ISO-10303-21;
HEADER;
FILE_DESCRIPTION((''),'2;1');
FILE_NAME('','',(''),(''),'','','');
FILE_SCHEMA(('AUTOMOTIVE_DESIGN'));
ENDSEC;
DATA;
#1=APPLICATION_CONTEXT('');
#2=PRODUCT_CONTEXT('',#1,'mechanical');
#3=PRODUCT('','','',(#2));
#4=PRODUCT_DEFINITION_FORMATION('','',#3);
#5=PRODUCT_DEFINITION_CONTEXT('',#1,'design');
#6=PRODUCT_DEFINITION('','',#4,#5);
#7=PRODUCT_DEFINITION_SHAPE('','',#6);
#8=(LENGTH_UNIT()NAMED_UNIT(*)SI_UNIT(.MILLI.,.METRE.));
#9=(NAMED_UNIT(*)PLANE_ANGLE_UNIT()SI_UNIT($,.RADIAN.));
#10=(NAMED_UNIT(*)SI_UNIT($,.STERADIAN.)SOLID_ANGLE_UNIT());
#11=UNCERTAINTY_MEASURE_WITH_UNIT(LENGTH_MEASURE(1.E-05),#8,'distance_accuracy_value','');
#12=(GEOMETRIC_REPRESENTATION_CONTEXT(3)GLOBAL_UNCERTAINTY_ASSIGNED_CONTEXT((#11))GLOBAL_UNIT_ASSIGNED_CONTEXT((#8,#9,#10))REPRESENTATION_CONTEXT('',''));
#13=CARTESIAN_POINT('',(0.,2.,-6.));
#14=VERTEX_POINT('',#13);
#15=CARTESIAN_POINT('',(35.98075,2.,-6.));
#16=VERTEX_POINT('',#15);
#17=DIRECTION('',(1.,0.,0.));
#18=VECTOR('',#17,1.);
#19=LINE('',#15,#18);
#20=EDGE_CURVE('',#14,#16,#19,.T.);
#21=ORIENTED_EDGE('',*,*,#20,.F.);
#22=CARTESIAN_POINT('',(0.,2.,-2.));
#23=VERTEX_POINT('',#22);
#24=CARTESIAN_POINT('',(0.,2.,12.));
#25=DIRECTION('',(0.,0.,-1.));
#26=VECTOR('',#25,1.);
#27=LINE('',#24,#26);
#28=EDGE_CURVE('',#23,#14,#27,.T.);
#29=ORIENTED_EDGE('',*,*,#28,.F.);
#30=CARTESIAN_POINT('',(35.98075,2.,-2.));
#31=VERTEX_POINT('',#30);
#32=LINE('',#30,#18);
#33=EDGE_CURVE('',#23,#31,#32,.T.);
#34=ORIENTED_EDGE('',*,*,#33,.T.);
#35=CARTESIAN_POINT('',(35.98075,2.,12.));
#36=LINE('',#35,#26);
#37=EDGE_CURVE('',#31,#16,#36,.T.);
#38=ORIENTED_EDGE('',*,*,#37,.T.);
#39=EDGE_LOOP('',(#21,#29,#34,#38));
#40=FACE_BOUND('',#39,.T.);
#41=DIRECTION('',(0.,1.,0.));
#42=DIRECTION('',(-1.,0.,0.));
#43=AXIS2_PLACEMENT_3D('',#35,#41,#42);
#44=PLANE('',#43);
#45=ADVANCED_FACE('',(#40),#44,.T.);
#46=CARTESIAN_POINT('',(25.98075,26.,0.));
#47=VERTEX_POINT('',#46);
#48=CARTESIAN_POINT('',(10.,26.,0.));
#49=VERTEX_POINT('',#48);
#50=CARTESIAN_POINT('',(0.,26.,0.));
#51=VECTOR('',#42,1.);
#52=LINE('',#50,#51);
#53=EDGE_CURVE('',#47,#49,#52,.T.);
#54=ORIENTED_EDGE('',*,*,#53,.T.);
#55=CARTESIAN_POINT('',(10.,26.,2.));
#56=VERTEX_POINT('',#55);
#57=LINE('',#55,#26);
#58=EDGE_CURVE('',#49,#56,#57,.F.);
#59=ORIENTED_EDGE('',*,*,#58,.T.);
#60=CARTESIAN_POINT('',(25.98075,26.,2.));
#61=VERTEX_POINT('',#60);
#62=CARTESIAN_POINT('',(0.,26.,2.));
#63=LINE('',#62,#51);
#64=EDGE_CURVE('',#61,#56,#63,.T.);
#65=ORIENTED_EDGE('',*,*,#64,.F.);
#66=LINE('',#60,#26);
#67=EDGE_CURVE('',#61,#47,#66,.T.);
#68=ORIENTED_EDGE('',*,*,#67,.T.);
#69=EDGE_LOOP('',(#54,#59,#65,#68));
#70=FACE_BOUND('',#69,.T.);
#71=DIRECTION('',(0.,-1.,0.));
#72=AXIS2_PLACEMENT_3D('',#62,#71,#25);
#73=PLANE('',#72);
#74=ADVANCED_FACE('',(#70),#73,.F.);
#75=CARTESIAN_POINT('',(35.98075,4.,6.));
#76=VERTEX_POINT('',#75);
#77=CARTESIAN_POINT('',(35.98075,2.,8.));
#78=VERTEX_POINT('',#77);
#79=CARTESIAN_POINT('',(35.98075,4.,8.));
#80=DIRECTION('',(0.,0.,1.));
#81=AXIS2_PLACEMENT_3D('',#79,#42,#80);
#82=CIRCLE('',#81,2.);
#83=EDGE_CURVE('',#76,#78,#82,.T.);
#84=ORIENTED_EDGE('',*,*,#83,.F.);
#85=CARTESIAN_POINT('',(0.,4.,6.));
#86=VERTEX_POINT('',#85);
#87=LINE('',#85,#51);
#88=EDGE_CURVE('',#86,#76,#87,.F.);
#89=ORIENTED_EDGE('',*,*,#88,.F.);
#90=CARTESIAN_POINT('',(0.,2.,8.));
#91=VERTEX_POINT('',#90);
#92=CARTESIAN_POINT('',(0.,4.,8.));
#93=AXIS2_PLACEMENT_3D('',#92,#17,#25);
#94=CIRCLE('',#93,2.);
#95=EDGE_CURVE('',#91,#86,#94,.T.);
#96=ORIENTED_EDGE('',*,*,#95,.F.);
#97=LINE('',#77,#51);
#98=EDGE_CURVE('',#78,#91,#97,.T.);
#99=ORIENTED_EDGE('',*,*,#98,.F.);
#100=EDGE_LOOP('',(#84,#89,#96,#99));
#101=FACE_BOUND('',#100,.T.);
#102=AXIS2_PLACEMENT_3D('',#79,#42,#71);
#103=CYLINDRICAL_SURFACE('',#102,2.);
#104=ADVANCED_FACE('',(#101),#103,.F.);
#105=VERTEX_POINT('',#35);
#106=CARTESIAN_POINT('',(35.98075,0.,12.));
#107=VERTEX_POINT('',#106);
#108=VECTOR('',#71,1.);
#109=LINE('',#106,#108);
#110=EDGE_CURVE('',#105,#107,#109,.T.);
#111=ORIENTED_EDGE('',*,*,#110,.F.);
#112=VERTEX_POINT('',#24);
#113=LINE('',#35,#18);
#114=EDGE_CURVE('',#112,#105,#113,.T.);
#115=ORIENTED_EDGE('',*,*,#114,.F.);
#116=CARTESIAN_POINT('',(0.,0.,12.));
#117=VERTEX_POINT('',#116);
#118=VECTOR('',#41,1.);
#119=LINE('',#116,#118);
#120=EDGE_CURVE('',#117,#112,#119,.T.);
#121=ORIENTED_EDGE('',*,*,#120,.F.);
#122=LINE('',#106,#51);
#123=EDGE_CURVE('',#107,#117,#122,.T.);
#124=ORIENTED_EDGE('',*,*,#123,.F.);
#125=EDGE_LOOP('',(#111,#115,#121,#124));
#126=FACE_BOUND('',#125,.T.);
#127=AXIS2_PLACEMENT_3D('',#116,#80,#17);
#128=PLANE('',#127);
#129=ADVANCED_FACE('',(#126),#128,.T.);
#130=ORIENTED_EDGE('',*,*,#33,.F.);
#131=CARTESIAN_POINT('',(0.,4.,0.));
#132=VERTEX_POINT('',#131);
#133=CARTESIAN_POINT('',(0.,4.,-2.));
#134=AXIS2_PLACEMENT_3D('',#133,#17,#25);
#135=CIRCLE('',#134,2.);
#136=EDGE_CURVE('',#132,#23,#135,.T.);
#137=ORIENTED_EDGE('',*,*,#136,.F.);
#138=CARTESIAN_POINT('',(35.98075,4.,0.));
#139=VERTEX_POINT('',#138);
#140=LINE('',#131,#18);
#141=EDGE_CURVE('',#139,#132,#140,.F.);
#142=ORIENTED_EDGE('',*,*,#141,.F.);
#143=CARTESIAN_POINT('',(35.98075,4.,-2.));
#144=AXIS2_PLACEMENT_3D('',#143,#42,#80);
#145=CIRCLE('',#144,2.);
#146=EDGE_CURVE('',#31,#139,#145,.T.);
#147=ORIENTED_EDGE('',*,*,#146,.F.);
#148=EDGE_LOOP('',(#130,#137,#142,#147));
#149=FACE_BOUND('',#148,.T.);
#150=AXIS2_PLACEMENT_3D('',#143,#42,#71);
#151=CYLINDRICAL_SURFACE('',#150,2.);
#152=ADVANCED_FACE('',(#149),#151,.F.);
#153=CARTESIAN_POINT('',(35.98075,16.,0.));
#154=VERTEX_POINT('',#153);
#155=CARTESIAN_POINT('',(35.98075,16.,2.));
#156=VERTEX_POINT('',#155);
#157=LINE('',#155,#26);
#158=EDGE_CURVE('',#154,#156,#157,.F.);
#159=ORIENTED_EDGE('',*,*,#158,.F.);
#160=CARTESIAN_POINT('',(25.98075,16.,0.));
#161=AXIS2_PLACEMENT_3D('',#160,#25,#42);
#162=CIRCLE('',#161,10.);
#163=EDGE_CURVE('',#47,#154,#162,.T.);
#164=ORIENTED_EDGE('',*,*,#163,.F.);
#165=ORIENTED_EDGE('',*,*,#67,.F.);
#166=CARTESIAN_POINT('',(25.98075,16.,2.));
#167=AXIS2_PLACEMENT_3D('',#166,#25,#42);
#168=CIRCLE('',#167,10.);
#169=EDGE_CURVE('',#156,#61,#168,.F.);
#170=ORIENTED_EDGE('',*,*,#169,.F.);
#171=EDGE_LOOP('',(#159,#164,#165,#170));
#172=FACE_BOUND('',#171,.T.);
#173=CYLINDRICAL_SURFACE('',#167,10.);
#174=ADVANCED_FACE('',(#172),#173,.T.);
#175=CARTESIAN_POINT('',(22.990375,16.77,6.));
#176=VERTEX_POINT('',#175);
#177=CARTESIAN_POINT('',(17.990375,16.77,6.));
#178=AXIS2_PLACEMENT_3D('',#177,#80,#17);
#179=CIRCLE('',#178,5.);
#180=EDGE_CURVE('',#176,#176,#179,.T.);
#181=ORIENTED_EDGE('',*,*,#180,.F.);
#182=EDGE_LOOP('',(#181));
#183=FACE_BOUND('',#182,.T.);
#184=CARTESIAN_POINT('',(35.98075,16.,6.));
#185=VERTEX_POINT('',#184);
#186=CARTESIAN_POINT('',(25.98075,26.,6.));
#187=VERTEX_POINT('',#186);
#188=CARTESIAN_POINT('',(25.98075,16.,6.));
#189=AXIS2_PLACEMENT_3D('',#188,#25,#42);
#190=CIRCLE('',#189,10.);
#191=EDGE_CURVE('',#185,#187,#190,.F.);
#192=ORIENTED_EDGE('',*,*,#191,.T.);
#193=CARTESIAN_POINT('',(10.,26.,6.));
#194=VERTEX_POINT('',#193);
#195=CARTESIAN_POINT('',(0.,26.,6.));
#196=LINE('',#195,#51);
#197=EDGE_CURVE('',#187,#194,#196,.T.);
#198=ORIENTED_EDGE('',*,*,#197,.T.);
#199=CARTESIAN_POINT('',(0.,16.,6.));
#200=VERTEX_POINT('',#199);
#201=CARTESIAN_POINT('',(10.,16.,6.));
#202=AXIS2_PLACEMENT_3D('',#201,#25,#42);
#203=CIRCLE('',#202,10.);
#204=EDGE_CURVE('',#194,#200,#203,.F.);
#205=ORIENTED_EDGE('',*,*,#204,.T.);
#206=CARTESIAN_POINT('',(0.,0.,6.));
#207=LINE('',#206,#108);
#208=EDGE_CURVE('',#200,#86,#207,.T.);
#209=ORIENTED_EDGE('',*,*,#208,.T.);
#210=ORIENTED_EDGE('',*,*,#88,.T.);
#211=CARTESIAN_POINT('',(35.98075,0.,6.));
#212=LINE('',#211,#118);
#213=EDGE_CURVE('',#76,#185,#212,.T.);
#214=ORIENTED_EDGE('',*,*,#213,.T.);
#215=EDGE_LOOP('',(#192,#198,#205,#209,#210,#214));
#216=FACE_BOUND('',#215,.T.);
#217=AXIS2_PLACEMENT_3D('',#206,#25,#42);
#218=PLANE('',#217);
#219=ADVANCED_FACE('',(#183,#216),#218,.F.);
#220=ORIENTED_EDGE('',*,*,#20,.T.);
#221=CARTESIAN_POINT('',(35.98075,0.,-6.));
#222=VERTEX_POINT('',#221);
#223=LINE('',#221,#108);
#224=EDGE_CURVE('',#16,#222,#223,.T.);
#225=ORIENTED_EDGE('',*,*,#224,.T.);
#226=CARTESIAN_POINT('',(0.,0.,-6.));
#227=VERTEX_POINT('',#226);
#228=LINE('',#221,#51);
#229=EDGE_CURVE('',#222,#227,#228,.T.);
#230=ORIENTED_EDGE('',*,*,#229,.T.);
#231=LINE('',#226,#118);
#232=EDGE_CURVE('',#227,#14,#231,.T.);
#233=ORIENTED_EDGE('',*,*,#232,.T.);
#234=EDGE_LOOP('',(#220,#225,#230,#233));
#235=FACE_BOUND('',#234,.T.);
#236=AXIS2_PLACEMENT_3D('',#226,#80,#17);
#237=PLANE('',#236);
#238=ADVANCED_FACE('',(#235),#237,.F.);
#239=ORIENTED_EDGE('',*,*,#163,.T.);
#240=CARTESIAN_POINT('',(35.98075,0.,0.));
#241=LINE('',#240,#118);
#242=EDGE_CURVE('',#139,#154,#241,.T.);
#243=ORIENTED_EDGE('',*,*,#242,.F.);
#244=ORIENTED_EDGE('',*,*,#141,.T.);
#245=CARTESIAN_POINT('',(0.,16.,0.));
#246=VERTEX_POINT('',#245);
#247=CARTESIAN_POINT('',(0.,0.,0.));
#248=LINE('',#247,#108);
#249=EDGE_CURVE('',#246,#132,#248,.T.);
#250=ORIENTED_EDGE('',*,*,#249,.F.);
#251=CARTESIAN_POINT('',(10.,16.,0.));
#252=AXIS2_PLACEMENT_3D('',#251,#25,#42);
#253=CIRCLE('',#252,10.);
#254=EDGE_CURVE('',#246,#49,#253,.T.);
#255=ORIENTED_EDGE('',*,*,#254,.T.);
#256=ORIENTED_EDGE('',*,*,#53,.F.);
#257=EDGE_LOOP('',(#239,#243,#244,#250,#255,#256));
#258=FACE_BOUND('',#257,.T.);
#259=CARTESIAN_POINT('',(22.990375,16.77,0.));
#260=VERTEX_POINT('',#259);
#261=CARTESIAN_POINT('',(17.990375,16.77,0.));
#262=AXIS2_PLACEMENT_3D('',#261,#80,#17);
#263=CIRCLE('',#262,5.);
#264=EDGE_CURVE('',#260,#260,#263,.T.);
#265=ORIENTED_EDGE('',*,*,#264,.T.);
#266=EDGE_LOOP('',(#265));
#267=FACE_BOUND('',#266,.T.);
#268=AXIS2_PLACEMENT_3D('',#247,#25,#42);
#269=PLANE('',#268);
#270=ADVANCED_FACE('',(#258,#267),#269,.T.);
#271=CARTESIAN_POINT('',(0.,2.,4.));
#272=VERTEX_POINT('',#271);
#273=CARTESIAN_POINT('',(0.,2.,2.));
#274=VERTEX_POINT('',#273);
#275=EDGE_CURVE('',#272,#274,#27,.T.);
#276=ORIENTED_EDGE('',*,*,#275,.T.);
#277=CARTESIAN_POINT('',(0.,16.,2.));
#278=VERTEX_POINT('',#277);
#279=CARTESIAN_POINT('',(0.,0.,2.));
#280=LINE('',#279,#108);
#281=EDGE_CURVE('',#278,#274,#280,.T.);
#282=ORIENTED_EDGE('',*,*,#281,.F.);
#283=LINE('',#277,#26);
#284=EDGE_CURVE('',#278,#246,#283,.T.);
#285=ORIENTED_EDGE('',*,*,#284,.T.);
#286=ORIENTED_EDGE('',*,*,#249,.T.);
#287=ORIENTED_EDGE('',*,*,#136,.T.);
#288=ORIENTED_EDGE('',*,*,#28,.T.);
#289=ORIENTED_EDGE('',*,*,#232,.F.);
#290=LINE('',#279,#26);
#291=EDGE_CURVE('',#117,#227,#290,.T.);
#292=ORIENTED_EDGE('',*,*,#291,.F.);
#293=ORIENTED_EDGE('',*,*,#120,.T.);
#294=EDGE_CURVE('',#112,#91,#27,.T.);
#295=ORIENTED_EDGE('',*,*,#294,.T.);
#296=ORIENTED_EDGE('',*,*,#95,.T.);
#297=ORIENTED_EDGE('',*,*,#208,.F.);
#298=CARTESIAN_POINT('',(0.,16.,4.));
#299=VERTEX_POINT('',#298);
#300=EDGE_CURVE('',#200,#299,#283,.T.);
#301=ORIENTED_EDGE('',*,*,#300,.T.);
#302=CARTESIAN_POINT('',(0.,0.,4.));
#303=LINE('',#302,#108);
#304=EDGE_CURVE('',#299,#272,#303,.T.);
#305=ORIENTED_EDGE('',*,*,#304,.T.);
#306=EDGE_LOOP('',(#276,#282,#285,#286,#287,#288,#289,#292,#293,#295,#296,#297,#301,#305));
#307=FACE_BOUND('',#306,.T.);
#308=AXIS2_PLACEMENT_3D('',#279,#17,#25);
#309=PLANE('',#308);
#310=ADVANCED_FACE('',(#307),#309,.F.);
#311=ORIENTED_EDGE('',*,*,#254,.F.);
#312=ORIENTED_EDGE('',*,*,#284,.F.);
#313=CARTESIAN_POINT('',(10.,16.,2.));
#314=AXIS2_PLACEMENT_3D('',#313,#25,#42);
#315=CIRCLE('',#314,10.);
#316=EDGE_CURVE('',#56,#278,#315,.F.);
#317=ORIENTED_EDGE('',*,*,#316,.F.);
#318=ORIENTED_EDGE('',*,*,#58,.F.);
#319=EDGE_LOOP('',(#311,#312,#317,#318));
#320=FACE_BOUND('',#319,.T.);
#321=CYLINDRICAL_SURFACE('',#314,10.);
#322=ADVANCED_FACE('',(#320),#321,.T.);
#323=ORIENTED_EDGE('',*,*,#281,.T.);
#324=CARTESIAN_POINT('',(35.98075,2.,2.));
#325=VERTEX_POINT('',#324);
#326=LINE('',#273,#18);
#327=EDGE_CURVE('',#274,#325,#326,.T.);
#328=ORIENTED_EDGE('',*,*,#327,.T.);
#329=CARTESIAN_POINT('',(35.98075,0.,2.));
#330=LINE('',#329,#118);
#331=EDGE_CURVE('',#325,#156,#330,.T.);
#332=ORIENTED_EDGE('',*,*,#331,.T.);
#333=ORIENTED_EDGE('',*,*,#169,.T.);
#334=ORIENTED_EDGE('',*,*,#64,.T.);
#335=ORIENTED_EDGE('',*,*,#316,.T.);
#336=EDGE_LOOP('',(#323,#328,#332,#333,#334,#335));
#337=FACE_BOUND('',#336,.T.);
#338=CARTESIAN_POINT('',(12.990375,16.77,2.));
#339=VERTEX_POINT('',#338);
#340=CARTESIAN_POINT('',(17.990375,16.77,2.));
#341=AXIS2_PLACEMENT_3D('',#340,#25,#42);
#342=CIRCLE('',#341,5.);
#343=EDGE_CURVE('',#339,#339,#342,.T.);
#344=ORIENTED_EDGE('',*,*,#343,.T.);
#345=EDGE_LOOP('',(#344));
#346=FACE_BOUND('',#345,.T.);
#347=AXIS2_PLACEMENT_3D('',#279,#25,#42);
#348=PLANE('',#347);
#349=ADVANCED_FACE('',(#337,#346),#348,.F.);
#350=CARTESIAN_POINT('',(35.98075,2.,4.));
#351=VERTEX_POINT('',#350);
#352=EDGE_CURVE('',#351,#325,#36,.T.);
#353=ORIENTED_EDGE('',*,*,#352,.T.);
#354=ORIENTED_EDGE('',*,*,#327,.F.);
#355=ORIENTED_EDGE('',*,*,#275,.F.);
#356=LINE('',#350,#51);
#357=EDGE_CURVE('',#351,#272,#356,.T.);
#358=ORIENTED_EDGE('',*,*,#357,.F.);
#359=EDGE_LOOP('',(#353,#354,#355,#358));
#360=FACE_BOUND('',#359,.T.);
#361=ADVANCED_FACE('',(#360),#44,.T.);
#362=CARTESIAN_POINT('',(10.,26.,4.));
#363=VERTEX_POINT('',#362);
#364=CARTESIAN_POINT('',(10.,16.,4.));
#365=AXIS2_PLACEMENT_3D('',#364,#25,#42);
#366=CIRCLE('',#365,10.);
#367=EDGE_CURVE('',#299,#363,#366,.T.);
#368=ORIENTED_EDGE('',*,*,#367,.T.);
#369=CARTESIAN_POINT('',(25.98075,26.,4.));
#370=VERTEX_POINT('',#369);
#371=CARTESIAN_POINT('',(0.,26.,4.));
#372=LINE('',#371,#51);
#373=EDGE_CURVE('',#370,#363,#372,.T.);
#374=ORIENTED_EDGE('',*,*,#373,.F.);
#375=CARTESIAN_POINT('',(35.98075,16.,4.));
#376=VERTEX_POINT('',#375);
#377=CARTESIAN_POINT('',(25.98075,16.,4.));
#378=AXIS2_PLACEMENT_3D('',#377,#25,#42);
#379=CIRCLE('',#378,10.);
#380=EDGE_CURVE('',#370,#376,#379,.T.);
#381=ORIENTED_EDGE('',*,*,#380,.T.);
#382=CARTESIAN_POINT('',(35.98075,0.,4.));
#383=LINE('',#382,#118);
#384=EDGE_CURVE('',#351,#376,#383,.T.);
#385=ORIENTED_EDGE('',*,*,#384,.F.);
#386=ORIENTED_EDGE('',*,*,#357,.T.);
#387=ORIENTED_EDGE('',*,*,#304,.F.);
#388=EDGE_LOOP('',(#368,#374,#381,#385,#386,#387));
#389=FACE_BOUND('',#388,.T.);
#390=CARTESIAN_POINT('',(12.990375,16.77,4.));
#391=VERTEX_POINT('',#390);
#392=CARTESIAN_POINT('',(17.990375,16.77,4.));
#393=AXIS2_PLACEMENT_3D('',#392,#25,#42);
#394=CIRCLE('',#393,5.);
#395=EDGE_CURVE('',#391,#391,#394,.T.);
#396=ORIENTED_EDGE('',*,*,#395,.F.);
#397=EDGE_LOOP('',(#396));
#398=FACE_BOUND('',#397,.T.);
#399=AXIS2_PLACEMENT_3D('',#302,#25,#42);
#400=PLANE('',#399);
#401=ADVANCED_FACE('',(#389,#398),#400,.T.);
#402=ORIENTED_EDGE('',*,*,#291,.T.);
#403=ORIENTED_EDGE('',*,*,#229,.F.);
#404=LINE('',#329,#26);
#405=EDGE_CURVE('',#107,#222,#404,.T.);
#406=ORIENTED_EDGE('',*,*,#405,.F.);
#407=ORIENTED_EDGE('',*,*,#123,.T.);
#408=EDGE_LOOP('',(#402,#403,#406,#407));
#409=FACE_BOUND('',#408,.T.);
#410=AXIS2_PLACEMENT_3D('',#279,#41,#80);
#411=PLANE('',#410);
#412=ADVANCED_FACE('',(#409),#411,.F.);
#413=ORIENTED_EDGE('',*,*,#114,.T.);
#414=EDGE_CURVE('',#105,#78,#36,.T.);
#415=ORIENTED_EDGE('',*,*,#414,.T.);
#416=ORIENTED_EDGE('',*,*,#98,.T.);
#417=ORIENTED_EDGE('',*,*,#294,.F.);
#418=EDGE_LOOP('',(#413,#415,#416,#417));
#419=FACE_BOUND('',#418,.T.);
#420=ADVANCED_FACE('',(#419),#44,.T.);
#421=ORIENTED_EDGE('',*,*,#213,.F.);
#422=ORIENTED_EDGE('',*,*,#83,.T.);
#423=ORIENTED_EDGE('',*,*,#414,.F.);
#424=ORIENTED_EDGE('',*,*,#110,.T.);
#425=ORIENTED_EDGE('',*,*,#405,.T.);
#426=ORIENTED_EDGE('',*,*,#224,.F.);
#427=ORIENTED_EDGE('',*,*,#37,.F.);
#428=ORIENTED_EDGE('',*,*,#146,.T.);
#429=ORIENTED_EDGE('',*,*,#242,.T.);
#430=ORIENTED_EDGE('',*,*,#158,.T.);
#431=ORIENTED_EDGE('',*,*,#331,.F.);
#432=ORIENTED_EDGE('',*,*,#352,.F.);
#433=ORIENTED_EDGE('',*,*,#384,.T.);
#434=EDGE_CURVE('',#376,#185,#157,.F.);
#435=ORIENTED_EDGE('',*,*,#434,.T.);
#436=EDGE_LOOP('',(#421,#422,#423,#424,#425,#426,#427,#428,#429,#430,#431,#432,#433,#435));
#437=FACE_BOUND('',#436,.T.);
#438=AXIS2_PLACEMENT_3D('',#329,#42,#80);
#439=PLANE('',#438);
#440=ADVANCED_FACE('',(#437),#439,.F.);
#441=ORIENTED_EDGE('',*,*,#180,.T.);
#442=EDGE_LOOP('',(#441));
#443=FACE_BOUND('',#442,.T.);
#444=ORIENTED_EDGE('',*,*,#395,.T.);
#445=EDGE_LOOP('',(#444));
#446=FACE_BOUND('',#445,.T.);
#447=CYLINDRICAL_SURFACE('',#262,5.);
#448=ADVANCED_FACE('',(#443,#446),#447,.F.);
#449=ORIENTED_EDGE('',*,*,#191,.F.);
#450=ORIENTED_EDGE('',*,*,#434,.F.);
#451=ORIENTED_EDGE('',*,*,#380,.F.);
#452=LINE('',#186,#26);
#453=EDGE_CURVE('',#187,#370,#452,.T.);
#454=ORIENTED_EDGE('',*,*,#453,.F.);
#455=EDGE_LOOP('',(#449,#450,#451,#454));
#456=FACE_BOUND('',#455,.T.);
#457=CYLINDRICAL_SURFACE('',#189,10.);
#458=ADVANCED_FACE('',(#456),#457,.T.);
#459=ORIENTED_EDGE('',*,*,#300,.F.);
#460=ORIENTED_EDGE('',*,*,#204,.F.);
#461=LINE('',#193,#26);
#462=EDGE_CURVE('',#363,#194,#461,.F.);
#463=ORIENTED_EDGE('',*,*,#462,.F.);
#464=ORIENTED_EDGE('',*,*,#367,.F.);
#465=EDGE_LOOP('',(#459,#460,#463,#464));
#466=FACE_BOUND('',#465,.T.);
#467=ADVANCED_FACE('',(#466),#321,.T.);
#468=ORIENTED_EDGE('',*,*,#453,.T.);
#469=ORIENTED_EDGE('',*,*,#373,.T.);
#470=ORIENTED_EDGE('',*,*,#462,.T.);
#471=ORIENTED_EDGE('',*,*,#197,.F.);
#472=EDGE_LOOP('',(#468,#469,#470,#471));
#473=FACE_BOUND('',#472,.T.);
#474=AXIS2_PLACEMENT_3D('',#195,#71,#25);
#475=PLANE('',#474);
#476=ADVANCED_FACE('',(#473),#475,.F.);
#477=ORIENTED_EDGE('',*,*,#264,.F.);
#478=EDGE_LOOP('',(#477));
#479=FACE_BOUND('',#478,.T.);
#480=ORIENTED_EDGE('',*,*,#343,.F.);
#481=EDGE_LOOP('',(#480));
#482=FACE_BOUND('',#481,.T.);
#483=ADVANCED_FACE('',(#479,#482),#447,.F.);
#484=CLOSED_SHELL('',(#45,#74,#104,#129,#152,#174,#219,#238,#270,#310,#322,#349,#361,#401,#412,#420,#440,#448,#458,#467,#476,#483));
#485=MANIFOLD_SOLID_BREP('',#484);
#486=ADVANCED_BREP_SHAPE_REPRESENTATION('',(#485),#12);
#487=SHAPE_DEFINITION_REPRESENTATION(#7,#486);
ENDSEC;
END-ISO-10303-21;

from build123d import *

# Parameters (mm, degrees)
SKETCH1_W                = 35.980750028
SKETCH1_H                = 26
BOSS_EXTRUDE1_DEPTH      = 2
LPATTERN1_COUNT          = 2
LPATTERN1_PITCH          = 4
BOSS_EXTRUDE2_DEPTH      = 6
BOSS_EXTRUDE2_DEPTH_BACK = 12
SKETCH2_W                = 35.980750028
SKETCH2_H                = 2
FILLET1_R                = 2
FILLET2_R                = 10
SKETCH4_R                = 5
CUT_EXTRUDE1_DEPTH       = 6


with BuildPart() as part:
    # Sketch1 → Boss-Extrude1 (new body)
    with BuildSketch(Plane.XY):
        with Locations((17.990375014, 13)):
            Rectangle(SKETCH1_W, SKETCH1_H)
    extrude(amount=BOSS_EXTRUDE1_DEPTH)


with BuildPart() as lpattern1_1:
    # LPattern1: pattern copy
    add(part.part.moved(Location(Vector(0, 0, 1) * (1 * LPATTERN1_PITCH))))


with BuildPart() as part_1:
    add(part.part)

    add(lpattern1_1.part)  # Boss-Extrude2 merges LPattern1_1
    # Sketch2 → Boss-Extrude2 (add, two sides: drawn at the far end of the back side and taken through both)
    with BuildSketch(Plane(origin=(0, 0, 0), x_dir=(-1, 0, 0), z_dir=(0, 0, -1)).offset(-BOSS_EXTRUDE2_DEPTH_BACK)):
        with Locations((-17.990375014, 1)):
            Rectangle(SKETCH2_W, SKETCH2_H)
    extrude(amount=BOSS_EXTRUDE2_DEPTH + BOSS_EXTRUDE2_DEPTH_BACK)

    # Fillet1
    fillet1_edges = [part_1.edges().sort_by_distance(p)[0] for p in [
        (17.990375014, 2, 0),
        (17.990375014, 2, 6),
    ]]
    fillet(fillet1_edges, radius=FILLET1_R)

    # Fillet2
    fillet2_edges = [part_1.edges().sort_by_distance(p)[0] for p in [
        (0, 26, 5),
        (35.980750028, 26, 5),
        (0, 26, 1),
        (35.980750028, 26, 1),
    ]]
    fillet(fillet2_edges, radius=FILLET2_R)

    # Sketch4 → Cut-Extrude1 (cut)
    with BuildSketch(Plane.XY.offset(6)):
        with Locations((17.990375014, 16.77)):
            Circle(SKETCH4_R)
    extrude(amount=-CUT_EXTRUDE1_DEPTH, mode=Mode.SUBTRACT)


solid = part_1.part
